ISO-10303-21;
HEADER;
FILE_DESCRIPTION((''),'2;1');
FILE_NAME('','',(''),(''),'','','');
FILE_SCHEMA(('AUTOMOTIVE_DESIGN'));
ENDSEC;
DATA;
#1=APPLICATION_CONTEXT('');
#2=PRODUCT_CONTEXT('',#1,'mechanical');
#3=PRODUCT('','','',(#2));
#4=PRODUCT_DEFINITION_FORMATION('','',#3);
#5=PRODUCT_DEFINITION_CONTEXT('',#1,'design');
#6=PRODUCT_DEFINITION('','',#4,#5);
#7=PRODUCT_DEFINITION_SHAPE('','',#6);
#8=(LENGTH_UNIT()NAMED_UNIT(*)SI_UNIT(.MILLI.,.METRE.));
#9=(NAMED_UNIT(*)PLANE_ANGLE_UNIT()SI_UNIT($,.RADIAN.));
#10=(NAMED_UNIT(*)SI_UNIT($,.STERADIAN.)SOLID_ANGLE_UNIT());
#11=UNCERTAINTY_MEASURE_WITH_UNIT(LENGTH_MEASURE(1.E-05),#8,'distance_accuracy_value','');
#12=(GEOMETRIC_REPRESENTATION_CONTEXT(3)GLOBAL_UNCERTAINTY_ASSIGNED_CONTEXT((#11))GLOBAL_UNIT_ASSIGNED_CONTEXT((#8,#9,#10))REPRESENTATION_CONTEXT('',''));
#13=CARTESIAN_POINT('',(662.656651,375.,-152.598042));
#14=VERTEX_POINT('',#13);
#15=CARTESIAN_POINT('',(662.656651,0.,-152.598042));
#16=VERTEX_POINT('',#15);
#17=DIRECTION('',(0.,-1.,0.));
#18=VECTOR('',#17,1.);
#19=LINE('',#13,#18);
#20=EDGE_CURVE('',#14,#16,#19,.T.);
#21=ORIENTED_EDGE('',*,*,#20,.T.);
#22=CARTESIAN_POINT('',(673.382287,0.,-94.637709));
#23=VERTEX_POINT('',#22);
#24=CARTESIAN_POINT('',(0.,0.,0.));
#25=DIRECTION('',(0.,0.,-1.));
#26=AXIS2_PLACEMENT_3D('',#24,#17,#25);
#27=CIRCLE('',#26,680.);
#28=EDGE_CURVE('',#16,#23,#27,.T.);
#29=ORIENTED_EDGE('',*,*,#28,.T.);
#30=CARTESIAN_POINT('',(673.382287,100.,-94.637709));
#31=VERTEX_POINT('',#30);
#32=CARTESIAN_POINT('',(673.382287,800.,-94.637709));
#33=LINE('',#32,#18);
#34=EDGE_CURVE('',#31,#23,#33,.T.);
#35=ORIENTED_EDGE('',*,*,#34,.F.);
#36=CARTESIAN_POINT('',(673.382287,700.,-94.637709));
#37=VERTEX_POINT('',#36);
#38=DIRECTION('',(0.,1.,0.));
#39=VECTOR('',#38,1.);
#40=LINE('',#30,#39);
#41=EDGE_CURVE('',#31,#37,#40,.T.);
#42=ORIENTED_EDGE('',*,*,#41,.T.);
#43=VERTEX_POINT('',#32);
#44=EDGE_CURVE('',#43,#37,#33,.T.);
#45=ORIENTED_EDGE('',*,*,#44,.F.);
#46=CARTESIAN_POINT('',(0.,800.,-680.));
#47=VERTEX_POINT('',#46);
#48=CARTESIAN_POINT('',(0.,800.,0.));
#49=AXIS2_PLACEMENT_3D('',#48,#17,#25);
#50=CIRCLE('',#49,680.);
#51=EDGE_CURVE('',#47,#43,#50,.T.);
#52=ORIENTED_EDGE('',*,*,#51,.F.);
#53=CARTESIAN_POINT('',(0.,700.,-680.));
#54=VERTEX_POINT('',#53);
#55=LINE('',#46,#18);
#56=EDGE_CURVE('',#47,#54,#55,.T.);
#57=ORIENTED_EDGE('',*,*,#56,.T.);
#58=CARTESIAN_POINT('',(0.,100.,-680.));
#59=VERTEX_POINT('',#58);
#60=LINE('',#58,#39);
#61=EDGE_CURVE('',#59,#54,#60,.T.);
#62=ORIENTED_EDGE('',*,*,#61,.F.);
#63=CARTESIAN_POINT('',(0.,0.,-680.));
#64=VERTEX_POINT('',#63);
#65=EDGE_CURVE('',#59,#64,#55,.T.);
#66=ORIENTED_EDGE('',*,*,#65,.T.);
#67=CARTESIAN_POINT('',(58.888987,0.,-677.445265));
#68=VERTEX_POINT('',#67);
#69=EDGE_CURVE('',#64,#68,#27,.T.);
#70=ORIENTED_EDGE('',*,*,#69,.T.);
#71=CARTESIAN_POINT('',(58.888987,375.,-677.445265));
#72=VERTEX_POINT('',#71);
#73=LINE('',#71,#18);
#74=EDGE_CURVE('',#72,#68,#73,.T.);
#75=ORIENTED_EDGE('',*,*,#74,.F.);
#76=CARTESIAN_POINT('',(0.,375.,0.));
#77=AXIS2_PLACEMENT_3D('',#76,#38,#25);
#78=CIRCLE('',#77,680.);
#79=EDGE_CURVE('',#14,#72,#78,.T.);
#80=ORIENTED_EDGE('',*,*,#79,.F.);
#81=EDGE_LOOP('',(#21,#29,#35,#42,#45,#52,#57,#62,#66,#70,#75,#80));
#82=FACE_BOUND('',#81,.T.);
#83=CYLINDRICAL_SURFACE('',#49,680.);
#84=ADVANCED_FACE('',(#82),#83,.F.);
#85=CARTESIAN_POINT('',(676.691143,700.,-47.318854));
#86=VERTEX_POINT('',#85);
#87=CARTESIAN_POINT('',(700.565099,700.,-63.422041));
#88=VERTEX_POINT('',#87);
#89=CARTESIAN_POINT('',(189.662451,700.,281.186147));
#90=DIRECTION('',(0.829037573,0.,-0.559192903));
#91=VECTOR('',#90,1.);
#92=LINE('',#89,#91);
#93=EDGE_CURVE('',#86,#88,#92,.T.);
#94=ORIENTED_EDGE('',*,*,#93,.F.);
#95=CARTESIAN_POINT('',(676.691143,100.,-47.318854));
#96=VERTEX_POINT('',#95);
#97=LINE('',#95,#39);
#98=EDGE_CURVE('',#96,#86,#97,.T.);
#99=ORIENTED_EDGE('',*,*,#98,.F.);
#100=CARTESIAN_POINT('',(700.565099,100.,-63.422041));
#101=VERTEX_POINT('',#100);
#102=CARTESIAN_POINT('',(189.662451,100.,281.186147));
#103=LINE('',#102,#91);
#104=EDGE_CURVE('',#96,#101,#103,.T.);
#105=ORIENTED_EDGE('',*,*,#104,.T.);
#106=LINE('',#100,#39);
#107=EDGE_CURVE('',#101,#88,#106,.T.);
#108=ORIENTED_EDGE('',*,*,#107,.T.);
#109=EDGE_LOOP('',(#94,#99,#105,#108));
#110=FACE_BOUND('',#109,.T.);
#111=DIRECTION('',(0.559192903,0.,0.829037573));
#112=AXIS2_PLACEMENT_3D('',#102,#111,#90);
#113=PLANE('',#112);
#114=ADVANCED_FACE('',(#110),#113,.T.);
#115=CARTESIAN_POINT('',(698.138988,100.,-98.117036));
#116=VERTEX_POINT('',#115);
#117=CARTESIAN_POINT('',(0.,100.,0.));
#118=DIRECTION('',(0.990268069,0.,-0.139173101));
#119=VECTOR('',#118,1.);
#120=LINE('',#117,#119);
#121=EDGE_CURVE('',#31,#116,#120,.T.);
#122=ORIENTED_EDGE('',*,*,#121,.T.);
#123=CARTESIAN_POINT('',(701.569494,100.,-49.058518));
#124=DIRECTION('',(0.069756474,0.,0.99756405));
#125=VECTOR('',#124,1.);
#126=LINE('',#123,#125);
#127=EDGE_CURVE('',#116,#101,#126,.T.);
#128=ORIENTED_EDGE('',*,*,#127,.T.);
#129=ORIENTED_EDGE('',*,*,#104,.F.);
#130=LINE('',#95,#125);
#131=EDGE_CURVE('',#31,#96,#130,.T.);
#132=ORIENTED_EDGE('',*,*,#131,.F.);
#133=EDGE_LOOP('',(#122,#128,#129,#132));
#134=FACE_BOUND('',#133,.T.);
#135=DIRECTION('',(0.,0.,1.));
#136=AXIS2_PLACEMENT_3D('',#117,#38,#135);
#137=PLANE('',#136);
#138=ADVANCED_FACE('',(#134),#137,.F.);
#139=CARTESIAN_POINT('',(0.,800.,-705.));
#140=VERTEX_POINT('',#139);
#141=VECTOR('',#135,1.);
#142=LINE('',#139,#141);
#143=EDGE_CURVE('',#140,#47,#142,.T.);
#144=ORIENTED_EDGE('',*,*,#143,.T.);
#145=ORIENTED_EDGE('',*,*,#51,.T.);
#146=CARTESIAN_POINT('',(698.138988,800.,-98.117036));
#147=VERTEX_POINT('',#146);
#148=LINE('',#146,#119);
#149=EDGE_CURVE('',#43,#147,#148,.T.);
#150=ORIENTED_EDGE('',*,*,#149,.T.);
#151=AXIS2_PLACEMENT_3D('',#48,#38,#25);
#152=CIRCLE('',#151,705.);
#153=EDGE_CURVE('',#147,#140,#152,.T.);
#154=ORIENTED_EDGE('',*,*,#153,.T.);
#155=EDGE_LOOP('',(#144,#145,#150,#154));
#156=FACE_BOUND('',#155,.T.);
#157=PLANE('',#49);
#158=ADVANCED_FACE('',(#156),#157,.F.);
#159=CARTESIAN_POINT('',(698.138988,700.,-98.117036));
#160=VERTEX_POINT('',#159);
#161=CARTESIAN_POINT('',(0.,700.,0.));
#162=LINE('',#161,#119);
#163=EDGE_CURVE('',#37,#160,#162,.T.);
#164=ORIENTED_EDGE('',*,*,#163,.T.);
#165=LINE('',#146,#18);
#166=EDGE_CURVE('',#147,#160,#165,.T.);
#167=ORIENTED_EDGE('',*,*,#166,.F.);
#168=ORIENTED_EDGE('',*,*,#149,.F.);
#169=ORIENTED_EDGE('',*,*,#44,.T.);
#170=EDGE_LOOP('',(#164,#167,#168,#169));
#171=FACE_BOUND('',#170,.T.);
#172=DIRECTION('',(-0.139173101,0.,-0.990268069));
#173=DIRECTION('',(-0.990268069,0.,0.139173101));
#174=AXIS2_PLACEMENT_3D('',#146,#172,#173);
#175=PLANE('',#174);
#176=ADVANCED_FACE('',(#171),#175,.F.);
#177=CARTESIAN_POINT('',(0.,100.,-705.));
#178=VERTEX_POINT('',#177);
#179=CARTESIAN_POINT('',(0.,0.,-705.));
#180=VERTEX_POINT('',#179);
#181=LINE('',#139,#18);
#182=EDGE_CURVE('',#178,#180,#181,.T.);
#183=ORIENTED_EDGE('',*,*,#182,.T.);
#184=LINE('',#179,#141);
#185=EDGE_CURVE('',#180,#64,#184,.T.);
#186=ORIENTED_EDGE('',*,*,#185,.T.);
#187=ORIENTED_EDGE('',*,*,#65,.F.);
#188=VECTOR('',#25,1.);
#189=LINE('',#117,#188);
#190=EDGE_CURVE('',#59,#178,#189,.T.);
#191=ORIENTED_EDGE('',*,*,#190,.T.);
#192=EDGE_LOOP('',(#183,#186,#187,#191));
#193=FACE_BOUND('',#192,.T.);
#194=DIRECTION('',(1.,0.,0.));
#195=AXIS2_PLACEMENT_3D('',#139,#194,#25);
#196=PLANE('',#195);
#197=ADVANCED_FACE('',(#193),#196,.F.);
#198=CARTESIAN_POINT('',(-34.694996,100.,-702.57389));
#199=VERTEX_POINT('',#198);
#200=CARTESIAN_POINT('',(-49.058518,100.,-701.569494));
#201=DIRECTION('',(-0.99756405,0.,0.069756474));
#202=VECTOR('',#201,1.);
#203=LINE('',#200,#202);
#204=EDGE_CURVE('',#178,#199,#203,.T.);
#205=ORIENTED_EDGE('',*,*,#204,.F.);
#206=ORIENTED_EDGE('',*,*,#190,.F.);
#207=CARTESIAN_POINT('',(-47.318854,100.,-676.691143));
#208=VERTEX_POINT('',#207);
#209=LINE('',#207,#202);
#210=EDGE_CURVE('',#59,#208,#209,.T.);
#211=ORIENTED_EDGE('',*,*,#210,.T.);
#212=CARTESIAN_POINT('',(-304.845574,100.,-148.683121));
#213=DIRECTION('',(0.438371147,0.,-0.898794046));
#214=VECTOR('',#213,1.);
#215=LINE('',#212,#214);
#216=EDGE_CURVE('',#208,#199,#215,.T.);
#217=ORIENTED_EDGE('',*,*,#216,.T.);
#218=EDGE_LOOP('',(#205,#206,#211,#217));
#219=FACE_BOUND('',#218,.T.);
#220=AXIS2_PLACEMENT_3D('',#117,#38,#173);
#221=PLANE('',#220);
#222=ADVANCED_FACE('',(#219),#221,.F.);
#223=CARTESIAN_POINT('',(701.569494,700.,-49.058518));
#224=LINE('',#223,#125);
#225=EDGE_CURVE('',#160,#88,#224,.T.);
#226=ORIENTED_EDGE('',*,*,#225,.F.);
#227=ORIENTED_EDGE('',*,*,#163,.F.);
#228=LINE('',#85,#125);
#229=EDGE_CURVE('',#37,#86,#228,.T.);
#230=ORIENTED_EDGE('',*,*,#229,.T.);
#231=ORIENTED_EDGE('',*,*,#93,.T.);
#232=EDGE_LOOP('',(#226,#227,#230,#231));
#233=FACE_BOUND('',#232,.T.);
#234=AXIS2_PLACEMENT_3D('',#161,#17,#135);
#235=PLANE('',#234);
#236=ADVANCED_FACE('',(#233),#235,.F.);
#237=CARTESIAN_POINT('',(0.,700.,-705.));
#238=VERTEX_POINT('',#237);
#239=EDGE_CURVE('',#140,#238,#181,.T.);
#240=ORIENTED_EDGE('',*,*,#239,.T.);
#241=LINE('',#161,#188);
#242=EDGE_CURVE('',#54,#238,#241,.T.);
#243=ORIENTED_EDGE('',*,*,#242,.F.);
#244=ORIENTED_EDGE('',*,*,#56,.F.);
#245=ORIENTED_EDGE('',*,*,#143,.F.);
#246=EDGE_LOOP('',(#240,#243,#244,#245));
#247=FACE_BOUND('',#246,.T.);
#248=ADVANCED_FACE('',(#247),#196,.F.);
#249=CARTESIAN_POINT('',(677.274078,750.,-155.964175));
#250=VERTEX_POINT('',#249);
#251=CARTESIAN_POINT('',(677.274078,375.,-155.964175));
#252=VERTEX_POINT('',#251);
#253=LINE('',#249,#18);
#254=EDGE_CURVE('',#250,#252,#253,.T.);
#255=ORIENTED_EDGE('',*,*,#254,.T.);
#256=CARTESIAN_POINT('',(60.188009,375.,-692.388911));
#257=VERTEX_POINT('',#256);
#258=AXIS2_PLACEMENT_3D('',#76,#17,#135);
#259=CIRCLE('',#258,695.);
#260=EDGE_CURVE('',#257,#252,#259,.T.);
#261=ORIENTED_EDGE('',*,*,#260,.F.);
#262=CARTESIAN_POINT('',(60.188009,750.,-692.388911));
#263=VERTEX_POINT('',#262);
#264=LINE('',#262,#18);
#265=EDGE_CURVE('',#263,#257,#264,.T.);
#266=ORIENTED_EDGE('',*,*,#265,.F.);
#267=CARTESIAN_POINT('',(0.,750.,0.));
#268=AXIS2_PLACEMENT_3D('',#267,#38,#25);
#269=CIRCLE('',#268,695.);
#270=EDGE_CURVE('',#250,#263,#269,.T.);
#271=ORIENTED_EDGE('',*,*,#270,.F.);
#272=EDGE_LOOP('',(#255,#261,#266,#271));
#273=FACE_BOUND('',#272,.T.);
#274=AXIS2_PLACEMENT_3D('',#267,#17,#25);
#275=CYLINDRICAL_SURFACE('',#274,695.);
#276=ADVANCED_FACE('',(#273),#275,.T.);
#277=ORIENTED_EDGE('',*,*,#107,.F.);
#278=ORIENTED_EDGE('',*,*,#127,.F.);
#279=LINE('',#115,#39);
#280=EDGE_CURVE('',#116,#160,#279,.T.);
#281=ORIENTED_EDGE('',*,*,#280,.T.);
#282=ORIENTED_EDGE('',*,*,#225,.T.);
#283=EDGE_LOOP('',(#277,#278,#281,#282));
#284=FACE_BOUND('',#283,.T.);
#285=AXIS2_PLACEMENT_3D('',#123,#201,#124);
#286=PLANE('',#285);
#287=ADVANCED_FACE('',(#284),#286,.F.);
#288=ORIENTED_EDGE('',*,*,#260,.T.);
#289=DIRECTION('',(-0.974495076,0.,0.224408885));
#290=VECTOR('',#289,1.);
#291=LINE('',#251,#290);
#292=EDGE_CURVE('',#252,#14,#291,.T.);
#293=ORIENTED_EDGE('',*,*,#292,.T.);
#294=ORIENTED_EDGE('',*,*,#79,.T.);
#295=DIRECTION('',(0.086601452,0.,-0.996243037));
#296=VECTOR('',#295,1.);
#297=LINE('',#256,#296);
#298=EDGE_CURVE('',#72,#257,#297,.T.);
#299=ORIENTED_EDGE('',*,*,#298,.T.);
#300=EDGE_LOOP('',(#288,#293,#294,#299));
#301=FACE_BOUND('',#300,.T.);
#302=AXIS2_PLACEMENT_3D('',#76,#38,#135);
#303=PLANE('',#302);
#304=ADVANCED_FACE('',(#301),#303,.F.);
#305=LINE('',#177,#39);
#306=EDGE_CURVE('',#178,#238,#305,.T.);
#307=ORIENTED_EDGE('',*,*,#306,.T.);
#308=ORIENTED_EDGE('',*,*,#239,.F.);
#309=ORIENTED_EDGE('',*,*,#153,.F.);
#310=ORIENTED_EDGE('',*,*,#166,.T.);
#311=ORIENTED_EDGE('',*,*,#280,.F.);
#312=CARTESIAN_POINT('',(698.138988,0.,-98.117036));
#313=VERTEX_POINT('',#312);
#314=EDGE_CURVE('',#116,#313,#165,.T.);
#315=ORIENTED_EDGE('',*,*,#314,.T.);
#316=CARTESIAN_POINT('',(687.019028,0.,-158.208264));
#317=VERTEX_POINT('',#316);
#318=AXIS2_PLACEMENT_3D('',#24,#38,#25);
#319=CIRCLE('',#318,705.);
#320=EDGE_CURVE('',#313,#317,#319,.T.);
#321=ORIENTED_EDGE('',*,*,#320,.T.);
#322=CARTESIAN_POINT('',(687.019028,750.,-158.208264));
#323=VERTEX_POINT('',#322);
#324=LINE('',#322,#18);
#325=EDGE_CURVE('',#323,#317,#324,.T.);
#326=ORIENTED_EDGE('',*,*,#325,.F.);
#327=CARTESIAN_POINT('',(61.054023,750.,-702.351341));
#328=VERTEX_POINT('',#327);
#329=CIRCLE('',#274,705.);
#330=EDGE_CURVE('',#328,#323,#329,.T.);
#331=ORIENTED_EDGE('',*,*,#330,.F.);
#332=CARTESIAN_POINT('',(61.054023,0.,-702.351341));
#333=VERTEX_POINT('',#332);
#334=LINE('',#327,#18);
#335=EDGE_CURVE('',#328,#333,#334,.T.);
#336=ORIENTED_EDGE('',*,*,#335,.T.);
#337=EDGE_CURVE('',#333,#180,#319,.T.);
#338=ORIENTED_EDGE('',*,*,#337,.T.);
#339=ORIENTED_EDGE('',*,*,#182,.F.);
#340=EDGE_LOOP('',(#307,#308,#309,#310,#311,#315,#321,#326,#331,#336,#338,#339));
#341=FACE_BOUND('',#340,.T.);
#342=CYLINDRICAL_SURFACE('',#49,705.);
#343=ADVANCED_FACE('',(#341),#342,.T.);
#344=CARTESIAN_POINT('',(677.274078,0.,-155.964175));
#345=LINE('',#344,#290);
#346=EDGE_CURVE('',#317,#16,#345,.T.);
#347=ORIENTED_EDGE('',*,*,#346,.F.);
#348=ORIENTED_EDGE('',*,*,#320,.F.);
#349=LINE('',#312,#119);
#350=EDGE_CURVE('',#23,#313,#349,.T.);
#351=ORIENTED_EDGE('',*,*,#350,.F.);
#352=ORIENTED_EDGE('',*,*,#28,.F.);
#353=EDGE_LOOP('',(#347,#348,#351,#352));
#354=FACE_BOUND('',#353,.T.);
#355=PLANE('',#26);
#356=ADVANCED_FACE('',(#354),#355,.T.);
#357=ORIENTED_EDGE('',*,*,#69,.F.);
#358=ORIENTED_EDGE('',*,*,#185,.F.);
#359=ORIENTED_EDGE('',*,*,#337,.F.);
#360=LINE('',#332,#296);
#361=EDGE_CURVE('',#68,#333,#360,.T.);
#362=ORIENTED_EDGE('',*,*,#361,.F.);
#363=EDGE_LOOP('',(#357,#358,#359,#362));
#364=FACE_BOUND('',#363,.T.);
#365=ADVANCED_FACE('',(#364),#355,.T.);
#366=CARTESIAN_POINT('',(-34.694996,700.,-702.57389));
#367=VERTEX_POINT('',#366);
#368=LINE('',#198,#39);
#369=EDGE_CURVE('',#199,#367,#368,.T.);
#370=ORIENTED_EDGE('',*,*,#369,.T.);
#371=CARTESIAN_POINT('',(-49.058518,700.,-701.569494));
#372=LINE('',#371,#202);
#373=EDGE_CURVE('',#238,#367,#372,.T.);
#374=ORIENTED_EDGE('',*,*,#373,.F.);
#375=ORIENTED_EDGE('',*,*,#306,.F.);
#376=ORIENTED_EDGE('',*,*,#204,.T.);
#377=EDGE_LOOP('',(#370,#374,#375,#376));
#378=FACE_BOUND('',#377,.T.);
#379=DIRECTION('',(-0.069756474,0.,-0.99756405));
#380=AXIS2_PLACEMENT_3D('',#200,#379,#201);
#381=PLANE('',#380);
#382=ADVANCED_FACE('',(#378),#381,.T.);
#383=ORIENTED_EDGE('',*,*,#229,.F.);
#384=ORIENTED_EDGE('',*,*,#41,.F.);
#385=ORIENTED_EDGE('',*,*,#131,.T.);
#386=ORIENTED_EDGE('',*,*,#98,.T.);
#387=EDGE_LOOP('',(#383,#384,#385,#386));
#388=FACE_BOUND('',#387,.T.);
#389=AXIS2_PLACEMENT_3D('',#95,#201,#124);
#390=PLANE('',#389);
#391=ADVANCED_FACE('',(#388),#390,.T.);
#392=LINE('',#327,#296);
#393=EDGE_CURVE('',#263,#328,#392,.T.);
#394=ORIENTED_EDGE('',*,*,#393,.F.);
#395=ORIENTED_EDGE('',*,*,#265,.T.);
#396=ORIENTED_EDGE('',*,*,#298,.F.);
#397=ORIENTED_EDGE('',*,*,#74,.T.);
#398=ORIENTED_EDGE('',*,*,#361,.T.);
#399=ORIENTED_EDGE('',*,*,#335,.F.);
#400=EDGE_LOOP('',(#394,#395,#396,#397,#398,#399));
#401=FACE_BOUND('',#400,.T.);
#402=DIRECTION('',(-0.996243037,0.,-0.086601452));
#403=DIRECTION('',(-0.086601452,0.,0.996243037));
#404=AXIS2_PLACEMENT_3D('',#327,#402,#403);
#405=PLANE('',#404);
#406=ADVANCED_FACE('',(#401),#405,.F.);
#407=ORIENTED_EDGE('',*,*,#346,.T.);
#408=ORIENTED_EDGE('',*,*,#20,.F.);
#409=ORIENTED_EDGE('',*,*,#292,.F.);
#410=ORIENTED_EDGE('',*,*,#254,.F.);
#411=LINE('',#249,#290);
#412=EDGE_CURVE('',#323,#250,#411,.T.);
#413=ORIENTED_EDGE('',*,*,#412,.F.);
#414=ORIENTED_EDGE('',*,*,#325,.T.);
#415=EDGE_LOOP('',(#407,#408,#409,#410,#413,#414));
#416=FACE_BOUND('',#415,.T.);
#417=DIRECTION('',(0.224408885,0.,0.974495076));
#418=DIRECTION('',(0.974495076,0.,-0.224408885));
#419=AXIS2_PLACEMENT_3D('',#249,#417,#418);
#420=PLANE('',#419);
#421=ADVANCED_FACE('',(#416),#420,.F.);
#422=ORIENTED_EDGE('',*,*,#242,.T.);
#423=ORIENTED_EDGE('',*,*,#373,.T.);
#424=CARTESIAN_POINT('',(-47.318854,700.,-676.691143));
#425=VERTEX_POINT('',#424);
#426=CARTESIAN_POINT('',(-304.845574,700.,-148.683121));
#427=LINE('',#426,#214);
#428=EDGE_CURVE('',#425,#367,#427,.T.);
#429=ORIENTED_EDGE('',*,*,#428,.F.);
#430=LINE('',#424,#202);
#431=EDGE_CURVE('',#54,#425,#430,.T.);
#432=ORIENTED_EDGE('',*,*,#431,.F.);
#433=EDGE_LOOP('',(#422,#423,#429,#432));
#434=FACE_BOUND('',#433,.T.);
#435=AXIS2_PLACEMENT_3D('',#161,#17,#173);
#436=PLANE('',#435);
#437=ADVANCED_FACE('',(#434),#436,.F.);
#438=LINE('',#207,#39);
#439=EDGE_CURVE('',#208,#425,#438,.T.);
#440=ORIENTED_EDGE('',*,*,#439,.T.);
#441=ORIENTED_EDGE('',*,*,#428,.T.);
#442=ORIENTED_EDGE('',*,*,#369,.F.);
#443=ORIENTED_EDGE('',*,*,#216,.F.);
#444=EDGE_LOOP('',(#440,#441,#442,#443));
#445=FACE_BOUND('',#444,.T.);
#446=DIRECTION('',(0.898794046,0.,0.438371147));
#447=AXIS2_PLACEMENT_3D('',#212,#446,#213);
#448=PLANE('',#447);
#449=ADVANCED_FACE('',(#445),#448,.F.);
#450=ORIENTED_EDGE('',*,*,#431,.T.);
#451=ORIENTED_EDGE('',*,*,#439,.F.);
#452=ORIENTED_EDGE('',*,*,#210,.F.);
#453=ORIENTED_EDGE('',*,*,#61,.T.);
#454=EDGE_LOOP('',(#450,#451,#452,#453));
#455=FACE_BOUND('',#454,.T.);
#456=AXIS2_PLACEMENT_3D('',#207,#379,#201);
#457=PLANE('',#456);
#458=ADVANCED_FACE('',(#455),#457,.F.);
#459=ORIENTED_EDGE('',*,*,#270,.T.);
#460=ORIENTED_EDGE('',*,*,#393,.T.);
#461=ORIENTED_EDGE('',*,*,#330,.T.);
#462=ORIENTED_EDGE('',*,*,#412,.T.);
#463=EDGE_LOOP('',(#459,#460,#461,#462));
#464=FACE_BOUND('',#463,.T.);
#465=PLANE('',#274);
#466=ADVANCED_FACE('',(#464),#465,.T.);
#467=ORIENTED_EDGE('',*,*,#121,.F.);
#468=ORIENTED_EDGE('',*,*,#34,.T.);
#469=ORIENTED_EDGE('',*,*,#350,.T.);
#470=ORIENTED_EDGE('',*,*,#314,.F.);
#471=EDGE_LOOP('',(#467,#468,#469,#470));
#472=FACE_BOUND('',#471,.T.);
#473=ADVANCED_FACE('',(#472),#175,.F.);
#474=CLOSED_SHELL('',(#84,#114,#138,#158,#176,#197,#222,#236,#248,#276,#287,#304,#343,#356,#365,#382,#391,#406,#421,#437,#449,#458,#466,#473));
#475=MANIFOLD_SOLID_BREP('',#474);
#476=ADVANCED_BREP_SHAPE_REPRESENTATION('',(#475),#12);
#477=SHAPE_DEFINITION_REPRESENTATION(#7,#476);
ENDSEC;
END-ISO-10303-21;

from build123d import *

# Parameters (mm, degrees)
EXTRUDE_1_DEPTH       = 800
EXTRUDE_2_DEPTH       = 300
MIRROR_3_COPY_1_DEPTH = 300
MIRROR_3_COPY_2_DEPTH = 300
CUT_EXTRUDE_1_DEPTH   = 750
CUT_EXTRUDE_2_DEPTH   = 375


with BuildPart() as part:
    # 草图1 → 凸台-拉伸1 (new body)
    with BuildSketch(Plane(origin=(0, 0, 0), x_dir=(1, 0, 0), z_dir=(0, 1, 0))):
        with BuildLine():
            Line((0, 705), (0, 680))
            ThreePointArc((0, 680), (446.120139714, 513.202514551), (673.382286744, 94.637708653))
            Line((673.382286744, 94.637708653), (698.138988463, 98.117036177))
            ThreePointArc((698.138988463, 98.117036177), (462.521615438, 532.070254057), (0, 705))
        make_face()
    extrude(amount=EXTRUDE_1_DEPTH)

    # 草图2 → 凸台-拉伸2 (add)
    with BuildSketch(Plane(origin=(0, 400, 0), x_dir=(1, 0, 0), z_dir=(0, 1, 0))):
        Polygon((698.138988463, 98.117036177), (673.382286744, 94.637708653), (676.691143372, 47.318854326), (700.56509889, 63.422040654), align=None)
    extrude_2 = extrude(amount=-EXTRUDE_2_DEPTH)

    # 镜向1: 凸台-拉伸2 across plane
    add(extrude_2.mirror(Plane(origin=(446.120139714, 800, -513.202514551), x_dir=(-0.6560590289905062, 0, 0.754709580222773), z_dir=(-0.7547095802227732, 0, -0.656059028990506))))

    # 镜向2: 凸台-拉伸2 across plane
    add(extrude_2.mirror(Plane.ZX.offset(400)))

    # 镜向3 copy 1 sketch → 镜向3 copy 1 (add)
    with BuildSketch(Plane(origin=(0, 400, 0), x_dir=(-0.13917310096006918, 0, -0.99026806874157), z_dir=(0, -1, 0))):
        Polygon((698.138988463, 98.117036177), (673.382286744, 94.637708653), (676.691143372, 47.318854326), (700.56509889, 63.422040654), align=None)
    extrude(amount=-MIRROR_3_COPY_1_DEPTH)

    # 镜向3 copy 2 sketch → 镜向3 copy 2 (add)
    with BuildSketch(Plane(origin=(0, 400, 0), x_dir=(-0.13917310096006918, 0, -0.99026806874157), z_dir=(0, 1, 0))):
        Polygon((698.138988463, -98.117036177), (673.382286744, -94.637708653), (676.691143372, -47.318854326), (700.56509889, -63.422040654), align=None)
    extrude(amount=-MIRROR_3_COPY_2_DEPTH)

    # 草图4 → 切除-拉伸1 (cut)
    with BuildSketch(Plane.XZ):
        with BuildLine():
            Line((677.274077507, -155.96417517), (687.019028263, -158.208264022))
            ThreePointArc((687.019028263, -158.208264022), (462.521615438, -532.070254057), (61.05402349, -702.351341008))
            Line((61.05402349, -702.351341008), (60.188008972, -692.388910639))
            ThreePointArc((60.188008972, -692.388910639), (455.961025148, -524.523158255), (677.274077507, -155.96417517))
        make_face()
    extrude(amount=-CUT_EXTRUDE_1_DEPTH, mode=Mode.SUBTRACT)

    # 草图5 → 切除-拉伸2 (cut)
    with BuildSketch(Plane.XZ):
        with BuildLine():
            Line((677.274077507, -155.96417517), (662.656651374, -152.598041893))
            ThreePointArc((662.656651374, -152.598041893), (446.120139714, -513.202514551), (58.888987196, -677.445265086))
            Line((58.888987196, -677.445265086), (60.188008972, -692.388910639))
            ThreePointArc((60.188008972, -692.388910639), (455.961025148, -524.523158255), (677.274077507, -155.96417517))
        make_face()
    extrude(amount=-CUT_EXTRUDE_2_DEPTH, mode=Mode.SUBTRACT)


solid = part.part
